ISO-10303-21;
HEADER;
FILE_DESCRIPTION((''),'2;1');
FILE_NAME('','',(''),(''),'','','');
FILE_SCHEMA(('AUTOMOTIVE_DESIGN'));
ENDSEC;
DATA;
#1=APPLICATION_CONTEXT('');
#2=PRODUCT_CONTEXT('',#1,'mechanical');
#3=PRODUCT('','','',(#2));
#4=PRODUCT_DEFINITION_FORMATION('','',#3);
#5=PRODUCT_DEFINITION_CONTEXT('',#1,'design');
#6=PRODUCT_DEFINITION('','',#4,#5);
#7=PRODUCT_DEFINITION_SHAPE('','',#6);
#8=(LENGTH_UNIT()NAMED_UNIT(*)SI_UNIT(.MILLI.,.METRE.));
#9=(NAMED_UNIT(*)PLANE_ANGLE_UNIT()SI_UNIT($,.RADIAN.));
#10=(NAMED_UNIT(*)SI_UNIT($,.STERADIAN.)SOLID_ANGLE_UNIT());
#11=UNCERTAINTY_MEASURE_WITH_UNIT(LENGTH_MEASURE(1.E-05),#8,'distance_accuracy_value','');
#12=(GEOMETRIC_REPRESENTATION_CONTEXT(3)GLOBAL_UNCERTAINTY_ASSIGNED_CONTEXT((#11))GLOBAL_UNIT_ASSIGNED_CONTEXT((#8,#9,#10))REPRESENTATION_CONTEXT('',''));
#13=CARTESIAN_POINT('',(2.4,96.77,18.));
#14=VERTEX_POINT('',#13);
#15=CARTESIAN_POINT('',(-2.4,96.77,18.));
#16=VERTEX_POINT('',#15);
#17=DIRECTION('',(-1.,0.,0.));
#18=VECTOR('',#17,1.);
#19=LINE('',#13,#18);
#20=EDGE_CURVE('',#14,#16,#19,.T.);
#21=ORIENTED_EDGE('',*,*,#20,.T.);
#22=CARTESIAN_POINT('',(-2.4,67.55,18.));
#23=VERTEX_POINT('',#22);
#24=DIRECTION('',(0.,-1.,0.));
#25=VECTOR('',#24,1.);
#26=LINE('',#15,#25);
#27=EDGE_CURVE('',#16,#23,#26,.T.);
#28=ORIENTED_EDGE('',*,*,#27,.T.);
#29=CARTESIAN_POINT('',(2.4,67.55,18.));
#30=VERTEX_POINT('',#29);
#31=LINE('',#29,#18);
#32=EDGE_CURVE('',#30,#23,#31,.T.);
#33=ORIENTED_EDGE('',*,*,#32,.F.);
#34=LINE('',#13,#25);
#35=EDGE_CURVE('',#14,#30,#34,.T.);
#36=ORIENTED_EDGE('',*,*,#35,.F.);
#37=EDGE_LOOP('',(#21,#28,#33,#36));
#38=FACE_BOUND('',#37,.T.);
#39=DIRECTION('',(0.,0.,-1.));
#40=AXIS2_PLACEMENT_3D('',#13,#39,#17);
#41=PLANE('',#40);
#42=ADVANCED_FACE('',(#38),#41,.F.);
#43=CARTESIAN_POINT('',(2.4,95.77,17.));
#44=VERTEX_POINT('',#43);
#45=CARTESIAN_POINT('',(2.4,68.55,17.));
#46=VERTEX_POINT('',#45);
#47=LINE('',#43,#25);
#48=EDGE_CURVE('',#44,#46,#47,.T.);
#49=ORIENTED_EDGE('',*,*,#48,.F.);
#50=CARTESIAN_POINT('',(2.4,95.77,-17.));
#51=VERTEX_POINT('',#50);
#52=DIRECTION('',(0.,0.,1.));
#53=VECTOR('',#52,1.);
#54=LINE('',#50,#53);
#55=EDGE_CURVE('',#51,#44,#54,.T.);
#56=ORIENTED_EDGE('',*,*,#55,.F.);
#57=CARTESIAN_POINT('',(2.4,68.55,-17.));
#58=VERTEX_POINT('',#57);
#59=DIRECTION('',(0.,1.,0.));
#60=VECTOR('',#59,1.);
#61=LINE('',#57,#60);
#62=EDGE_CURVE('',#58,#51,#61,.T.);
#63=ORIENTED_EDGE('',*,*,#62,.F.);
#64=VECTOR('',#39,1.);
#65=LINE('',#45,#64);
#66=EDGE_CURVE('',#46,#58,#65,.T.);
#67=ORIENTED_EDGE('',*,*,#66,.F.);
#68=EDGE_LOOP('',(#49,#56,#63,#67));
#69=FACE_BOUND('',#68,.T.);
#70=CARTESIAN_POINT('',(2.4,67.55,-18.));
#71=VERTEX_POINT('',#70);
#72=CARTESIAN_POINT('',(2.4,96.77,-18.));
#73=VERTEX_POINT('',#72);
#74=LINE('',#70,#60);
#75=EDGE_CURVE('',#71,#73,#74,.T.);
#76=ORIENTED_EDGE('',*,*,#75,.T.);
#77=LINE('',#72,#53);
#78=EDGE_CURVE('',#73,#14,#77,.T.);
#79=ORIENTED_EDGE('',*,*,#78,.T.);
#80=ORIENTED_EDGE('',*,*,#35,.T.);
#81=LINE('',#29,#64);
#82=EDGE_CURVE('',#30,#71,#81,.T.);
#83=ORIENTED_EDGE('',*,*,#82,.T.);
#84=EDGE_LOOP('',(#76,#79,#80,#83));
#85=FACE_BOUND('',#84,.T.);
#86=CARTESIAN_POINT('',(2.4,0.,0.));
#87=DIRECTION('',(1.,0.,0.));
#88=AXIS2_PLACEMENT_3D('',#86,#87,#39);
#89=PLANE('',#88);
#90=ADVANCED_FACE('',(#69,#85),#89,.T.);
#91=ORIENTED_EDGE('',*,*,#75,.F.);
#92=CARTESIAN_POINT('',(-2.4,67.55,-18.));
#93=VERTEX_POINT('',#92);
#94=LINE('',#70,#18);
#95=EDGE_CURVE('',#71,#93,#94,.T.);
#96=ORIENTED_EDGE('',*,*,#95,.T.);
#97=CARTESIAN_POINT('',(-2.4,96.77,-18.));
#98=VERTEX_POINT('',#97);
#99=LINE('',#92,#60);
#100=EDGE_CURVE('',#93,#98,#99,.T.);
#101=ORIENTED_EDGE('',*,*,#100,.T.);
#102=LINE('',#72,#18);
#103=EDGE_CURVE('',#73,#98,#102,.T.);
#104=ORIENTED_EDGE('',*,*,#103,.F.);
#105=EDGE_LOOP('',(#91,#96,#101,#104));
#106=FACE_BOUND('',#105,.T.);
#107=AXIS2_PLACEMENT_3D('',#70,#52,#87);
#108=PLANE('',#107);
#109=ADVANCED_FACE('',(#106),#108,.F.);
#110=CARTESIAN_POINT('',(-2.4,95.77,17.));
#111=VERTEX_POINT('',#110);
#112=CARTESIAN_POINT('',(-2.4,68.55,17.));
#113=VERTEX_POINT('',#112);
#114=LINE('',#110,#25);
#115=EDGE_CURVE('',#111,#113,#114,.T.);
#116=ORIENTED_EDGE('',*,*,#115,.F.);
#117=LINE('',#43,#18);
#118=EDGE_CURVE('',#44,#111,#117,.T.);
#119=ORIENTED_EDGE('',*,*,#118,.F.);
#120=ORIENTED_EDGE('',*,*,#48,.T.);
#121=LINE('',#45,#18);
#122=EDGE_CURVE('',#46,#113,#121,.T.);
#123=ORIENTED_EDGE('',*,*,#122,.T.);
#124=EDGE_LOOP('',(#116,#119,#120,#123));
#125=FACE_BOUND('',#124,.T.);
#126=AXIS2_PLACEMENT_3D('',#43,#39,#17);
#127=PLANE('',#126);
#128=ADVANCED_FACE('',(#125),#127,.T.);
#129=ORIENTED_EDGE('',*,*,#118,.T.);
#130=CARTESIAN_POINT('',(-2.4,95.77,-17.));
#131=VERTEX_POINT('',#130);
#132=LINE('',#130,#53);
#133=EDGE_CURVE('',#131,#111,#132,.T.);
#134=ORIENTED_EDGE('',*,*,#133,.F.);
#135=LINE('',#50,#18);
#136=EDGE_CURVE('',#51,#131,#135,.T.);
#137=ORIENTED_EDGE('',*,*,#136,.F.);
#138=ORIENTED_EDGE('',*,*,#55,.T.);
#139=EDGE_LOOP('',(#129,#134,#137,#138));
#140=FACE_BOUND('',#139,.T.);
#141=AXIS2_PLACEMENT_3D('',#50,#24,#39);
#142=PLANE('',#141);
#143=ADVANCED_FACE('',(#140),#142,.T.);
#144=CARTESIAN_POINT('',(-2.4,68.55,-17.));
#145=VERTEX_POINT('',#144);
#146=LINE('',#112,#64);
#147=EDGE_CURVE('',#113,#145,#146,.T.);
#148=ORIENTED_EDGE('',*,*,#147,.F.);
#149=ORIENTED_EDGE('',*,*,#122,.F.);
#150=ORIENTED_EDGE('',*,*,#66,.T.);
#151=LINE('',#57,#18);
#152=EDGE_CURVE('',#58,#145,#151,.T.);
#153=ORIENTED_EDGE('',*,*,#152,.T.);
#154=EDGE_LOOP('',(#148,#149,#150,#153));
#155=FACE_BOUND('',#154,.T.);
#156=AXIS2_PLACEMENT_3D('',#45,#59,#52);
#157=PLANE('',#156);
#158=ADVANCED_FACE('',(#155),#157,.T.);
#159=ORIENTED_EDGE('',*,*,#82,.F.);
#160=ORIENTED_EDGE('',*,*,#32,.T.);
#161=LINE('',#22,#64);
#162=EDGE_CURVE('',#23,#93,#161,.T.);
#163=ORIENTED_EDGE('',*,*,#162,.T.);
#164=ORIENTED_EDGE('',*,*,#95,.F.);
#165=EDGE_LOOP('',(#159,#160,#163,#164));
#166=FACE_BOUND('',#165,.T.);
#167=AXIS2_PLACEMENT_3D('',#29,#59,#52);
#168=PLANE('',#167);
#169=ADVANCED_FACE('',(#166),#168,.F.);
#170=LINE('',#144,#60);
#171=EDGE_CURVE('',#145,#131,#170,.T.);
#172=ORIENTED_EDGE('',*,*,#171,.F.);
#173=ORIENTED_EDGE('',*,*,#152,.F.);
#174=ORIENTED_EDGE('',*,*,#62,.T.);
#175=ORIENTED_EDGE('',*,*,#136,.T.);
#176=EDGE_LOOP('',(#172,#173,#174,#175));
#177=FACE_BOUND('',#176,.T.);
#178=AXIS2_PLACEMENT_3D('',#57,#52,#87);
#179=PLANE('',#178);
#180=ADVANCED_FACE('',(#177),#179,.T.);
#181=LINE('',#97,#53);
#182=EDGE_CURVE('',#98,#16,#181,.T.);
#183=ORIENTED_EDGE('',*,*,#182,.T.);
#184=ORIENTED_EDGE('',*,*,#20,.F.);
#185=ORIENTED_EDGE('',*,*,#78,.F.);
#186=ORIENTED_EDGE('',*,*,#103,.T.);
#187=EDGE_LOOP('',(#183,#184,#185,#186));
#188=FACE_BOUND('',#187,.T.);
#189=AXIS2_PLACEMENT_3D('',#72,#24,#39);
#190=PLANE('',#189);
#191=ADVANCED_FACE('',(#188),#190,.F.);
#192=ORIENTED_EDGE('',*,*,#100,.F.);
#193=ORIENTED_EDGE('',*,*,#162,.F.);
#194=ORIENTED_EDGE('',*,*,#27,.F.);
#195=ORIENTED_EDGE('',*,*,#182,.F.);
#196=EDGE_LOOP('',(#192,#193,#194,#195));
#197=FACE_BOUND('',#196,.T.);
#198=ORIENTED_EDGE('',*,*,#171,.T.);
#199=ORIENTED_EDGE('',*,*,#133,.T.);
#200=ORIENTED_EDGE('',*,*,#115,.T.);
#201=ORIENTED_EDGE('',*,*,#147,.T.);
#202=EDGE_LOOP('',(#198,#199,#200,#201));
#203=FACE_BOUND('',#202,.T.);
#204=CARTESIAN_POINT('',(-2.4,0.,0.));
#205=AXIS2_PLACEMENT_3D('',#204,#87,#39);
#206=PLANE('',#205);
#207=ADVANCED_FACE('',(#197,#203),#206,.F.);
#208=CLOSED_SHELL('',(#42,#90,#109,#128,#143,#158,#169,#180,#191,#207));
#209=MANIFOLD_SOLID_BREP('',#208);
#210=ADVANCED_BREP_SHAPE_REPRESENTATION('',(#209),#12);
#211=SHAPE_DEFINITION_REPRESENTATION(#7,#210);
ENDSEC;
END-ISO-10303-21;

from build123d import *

# Parameters (mm, degrees)
TIE_SKETCH_W   = 36
TIE_SKETCH_H   = 29.22
TIE_SKETCH_W_2 = 34
TIE_SKETCH_H_2 = 27.22
TIE_DEPTH      = 2.4


with BuildPart() as part:
    # Tie Sketch → Tie (new, symmetric)
    with BuildSketch(Plane(origin=(0, 0, 0), x_dir=(0, 0, -1), z_dir=(1, 0, 0))):
        with Locations((0, 82.16)):
            Rectangle(TIE_SKETCH_W, TIE_SKETCH_H)
        with Locations((0, 82.16)):
            Rectangle(TIE_SKETCH_W_2, TIE_SKETCH_H_2, mode=Mode.SUBTRACT)
    extrude(amount=TIE_DEPTH, both=True)


solid = part.part
